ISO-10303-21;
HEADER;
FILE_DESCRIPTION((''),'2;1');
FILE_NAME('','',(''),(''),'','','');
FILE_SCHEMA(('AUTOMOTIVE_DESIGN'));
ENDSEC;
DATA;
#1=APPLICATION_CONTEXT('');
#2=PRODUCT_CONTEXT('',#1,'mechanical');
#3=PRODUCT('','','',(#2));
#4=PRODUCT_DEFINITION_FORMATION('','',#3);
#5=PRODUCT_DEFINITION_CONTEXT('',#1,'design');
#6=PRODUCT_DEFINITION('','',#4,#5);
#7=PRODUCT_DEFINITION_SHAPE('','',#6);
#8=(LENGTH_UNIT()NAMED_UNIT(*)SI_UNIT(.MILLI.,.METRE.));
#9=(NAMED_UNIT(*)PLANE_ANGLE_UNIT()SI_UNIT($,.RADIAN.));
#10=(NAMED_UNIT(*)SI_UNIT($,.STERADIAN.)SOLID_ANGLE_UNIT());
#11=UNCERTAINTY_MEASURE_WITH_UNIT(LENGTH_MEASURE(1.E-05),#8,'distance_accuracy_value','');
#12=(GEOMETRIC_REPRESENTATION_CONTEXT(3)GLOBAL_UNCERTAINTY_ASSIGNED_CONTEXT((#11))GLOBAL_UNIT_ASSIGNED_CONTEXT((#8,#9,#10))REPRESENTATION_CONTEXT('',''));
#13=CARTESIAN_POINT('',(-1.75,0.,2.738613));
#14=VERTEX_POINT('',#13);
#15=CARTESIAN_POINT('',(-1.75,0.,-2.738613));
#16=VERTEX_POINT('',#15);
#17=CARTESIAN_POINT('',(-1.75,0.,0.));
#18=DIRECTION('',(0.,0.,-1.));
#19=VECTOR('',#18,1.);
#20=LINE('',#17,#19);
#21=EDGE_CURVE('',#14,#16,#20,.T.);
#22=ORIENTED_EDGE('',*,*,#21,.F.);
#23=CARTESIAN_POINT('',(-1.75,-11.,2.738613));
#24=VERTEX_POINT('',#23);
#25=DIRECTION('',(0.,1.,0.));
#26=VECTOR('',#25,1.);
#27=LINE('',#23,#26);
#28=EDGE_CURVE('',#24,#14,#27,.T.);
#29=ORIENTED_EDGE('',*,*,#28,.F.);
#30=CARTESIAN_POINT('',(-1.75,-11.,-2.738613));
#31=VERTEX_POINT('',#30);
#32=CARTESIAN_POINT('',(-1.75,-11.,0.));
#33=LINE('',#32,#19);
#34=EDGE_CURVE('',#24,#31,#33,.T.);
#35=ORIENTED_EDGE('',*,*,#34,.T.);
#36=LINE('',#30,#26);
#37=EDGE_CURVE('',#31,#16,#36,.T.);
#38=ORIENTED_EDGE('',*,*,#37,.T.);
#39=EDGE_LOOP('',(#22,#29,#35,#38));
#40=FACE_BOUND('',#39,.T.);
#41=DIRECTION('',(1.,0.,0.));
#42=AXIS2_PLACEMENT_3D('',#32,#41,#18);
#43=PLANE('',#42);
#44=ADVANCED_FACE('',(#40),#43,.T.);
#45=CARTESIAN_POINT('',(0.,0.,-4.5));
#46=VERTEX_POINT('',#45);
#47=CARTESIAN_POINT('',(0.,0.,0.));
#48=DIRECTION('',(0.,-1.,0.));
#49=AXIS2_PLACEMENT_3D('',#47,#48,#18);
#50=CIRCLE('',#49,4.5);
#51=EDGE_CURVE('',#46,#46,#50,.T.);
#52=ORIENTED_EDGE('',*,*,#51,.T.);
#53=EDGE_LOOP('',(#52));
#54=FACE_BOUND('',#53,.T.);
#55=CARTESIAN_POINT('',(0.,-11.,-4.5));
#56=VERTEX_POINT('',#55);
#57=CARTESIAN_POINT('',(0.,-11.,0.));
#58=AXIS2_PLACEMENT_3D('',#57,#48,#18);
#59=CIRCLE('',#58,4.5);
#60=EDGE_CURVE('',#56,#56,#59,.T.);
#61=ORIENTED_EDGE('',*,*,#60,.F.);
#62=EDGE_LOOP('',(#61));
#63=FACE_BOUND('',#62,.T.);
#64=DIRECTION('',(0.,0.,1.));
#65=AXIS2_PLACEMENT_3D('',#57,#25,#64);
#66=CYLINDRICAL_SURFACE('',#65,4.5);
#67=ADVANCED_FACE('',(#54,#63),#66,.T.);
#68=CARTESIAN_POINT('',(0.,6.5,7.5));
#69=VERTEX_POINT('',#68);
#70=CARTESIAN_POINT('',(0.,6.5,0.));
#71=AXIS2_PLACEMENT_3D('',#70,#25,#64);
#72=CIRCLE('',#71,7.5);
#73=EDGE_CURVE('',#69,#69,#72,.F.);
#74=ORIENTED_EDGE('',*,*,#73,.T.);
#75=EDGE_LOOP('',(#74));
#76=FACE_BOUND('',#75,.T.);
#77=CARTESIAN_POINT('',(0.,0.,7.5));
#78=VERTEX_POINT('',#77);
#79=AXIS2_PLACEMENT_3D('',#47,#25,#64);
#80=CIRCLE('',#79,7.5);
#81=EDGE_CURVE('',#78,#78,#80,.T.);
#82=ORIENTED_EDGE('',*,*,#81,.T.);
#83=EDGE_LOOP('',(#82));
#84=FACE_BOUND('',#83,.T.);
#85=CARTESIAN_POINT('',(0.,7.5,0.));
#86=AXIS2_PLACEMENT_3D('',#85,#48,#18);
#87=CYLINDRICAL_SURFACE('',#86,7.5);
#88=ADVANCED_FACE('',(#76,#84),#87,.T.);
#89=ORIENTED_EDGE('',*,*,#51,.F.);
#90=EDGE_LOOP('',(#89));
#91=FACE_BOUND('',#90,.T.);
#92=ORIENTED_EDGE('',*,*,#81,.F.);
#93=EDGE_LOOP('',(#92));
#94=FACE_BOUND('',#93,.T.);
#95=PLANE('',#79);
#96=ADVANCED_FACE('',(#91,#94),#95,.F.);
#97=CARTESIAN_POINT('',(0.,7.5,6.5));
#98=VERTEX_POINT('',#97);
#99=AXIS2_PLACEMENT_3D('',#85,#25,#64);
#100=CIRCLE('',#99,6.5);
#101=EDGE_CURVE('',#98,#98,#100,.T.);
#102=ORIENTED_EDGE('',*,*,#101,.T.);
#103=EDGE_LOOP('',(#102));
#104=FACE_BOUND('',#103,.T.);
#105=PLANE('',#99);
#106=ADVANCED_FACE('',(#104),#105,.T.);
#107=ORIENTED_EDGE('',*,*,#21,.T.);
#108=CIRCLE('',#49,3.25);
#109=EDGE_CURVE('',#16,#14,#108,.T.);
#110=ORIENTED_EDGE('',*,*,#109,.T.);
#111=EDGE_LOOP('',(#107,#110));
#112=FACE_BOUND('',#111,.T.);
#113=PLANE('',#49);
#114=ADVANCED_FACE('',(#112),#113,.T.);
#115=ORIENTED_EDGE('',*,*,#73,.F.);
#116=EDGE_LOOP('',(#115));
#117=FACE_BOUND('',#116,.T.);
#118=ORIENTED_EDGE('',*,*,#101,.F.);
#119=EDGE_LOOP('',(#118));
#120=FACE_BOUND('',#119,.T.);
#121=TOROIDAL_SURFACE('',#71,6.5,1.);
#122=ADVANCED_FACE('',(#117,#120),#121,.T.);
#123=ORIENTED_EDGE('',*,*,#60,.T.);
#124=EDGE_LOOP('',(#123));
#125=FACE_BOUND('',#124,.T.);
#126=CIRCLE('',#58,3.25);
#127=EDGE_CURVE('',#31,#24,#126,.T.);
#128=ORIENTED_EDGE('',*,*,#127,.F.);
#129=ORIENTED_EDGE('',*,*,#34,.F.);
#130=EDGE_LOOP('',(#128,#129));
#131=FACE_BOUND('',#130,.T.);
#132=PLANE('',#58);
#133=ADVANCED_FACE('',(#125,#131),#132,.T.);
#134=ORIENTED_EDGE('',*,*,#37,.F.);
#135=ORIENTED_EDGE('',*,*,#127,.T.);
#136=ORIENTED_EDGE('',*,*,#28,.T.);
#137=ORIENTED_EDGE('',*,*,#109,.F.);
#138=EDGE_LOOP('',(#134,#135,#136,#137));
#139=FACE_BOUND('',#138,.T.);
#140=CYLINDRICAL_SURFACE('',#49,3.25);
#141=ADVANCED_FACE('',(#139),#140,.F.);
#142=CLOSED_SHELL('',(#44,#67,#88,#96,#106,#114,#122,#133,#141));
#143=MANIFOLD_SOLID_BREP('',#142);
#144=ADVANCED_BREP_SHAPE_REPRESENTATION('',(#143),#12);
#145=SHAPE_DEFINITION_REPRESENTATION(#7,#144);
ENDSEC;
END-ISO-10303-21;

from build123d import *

# Parameters (mm, degrees)
SKETCH1_R           = 7.5
BOSS_EXTRUDE1_DEPTH = 7.5
FILLET1_R           = 1
SKETCH2_R           = 4.5
BOSS_EXTRUDE2_DEPTH = 11
SKETCH3_R           = 3.25
CUT_EXTRUDE1_DEPTH  = 11
BOSS_EXTRUDE3_START = 11
BOSS_EXTRUDE3_DEPTH = 11


with BuildPart() as part:
    # Sketch1 → Boss-Extrude1 (new body)
    with BuildSketch(Plane(origin=(0, 0, 0), x_dir=(1, 0, 0), z_dir=(0, 1, 0))):
        with Locations(Location((0, 0, 0), (0, 0, 270))):
            Circle(SKETCH1_R)
    extrude(amount=BOSS_EXTRUDE1_DEPTH)

    # Fillet1
    fillet1_edges = [part.edges().sort_by_distance(p)[0] for p in [
        (0, 7.5, -7.5),
    ]]
    fillet(fillet1_edges, radius=FILLET1_R)

    # Sketch2 → Boss-Extrude2 (add)
    with BuildSketch(Plane.XZ):
        with Locations(Location((0, 0, 0), (0, 0, 270))):
            Circle(SKETCH2_R)
    extrude(amount=BOSS_EXTRUDE2_DEPTH)

    # Sketch3 → Cut-Extrude1 (cut)
    with BuildSketch(Plane(origin=(0, -11, 0), x_dir=(-1, 0, 0), z_dir=(0, -1, 0))):
        with Locations(Location((0, 0, 0), (0, 0, 90))):
            Circle(SKETCH3_R)
    extrude(amount=-CUT_EXTRUDE1_DEPTH, mode=Mode.SUBTRACT)

    # Sketch4 → Boss-Extrude3 (add)
    with BuildSketch(Plane(origin=(0, 0, 0), x_dir=(-1, 0, 0), z_dir=(0, -1, 0)).offset(BOSS_EXTRUDE3_START)):
        with BuildLine():
            Line((1.75, 2.738612788), (1.75, -2.738612788))
            ThreePointArc((1.75, -2.738612788), (2.850438563, -1.5612495), (3.25, 0))
            ThreePointArc((3.25, 0), (2.850438563, 1.5612495), (1.75, 2.738612788))
        make_face()
    extrude(amount=-BOSS_EXTRUDE3_DEPTH)


solid = part.part
